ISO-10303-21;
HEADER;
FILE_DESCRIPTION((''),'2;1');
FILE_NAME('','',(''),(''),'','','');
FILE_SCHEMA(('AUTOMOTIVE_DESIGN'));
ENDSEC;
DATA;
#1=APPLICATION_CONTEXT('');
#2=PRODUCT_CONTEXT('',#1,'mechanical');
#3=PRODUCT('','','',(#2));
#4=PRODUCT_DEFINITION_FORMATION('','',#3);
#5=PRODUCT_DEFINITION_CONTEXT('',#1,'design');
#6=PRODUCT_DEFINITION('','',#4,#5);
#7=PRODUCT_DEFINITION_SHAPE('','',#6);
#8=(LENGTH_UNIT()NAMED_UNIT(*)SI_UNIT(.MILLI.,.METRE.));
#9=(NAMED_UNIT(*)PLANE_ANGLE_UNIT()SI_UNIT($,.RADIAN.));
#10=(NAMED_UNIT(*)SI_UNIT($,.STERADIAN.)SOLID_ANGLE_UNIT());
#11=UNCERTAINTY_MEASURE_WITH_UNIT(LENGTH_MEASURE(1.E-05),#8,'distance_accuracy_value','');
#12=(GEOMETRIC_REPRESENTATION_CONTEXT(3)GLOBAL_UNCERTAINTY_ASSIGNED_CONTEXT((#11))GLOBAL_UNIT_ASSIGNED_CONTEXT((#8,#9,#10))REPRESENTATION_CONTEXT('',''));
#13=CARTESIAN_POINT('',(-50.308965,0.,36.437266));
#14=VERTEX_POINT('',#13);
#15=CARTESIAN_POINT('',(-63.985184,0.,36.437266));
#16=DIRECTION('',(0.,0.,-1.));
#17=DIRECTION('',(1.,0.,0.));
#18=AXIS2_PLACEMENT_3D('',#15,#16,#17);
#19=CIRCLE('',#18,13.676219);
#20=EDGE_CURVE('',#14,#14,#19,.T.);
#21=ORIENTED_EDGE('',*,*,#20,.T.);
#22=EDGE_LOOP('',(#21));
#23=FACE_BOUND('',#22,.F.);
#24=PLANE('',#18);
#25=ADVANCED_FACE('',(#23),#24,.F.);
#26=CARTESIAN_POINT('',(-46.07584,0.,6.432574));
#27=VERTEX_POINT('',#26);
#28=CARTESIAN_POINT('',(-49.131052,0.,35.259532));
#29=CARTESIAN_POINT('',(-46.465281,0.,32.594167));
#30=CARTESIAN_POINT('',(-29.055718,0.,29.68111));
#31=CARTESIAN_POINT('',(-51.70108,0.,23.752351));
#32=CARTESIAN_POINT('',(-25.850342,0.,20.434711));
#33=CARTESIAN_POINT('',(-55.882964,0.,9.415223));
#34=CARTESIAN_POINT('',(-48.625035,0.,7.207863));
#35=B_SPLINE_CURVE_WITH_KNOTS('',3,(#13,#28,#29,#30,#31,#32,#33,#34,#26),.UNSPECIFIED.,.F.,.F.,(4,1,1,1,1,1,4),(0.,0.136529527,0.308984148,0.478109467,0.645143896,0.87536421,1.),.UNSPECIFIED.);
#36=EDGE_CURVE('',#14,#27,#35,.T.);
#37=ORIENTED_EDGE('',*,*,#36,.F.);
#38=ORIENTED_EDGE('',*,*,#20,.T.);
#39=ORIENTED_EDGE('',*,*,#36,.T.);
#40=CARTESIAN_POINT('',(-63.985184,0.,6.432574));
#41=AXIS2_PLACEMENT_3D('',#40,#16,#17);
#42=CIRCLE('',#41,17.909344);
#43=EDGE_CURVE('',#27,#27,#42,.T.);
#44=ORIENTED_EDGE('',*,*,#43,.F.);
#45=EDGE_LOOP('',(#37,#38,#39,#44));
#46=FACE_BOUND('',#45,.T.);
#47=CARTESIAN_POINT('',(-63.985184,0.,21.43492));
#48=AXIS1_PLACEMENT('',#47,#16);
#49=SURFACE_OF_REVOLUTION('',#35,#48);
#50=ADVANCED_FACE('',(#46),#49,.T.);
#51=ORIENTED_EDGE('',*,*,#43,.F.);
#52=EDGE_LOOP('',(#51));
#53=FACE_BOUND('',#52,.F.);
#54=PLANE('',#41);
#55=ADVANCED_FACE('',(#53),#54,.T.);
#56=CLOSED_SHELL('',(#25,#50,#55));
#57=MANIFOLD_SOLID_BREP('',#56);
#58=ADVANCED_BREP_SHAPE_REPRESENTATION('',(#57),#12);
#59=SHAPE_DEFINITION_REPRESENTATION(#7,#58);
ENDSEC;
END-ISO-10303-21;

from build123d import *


with BuildPart() as f1:
    # F0 (on Front) → F1 (revolve)
    with BuildSketch(Plane.XZ):
        with BuildLine():
            add(Edge.make_bspline(
                [(-50.3089651465, 36.4372655749), (-49.1310522032, 35.2595319902), (-46.4652813948, 32.5941670938), (-29.0557179586, 29.6811096492), (-51.7010795824, 23.7523511245), (-25.850341506, 20.4347111994), (-55.8829637713, 9.4152226525), (-48.6250352448, 7.207863136), (-46.0758395493, 6.4325742424)],
                knots=[0, 0, 0, 0, 0.1365295267, 0.3089841477, 0.4781094675, 0.6451438958, 0.8753642103, 1, 1, 1, 1], degree=3))
            Line((-50.3089651465, 36.4372655749), (-63.985183835, 36.4372655749))
            Line((-63.985183835, 36.4372655749), (-63.985183835, 6.4325742424))
            Line((-63.985183835, 6.4325742424), (-46.0758395493, 6.4325742424))
        make_face()
    revolve(axis=Axis((-63.985183835, 0, 21.4349199086), (0, 0, -1)))


solid = f1.part
